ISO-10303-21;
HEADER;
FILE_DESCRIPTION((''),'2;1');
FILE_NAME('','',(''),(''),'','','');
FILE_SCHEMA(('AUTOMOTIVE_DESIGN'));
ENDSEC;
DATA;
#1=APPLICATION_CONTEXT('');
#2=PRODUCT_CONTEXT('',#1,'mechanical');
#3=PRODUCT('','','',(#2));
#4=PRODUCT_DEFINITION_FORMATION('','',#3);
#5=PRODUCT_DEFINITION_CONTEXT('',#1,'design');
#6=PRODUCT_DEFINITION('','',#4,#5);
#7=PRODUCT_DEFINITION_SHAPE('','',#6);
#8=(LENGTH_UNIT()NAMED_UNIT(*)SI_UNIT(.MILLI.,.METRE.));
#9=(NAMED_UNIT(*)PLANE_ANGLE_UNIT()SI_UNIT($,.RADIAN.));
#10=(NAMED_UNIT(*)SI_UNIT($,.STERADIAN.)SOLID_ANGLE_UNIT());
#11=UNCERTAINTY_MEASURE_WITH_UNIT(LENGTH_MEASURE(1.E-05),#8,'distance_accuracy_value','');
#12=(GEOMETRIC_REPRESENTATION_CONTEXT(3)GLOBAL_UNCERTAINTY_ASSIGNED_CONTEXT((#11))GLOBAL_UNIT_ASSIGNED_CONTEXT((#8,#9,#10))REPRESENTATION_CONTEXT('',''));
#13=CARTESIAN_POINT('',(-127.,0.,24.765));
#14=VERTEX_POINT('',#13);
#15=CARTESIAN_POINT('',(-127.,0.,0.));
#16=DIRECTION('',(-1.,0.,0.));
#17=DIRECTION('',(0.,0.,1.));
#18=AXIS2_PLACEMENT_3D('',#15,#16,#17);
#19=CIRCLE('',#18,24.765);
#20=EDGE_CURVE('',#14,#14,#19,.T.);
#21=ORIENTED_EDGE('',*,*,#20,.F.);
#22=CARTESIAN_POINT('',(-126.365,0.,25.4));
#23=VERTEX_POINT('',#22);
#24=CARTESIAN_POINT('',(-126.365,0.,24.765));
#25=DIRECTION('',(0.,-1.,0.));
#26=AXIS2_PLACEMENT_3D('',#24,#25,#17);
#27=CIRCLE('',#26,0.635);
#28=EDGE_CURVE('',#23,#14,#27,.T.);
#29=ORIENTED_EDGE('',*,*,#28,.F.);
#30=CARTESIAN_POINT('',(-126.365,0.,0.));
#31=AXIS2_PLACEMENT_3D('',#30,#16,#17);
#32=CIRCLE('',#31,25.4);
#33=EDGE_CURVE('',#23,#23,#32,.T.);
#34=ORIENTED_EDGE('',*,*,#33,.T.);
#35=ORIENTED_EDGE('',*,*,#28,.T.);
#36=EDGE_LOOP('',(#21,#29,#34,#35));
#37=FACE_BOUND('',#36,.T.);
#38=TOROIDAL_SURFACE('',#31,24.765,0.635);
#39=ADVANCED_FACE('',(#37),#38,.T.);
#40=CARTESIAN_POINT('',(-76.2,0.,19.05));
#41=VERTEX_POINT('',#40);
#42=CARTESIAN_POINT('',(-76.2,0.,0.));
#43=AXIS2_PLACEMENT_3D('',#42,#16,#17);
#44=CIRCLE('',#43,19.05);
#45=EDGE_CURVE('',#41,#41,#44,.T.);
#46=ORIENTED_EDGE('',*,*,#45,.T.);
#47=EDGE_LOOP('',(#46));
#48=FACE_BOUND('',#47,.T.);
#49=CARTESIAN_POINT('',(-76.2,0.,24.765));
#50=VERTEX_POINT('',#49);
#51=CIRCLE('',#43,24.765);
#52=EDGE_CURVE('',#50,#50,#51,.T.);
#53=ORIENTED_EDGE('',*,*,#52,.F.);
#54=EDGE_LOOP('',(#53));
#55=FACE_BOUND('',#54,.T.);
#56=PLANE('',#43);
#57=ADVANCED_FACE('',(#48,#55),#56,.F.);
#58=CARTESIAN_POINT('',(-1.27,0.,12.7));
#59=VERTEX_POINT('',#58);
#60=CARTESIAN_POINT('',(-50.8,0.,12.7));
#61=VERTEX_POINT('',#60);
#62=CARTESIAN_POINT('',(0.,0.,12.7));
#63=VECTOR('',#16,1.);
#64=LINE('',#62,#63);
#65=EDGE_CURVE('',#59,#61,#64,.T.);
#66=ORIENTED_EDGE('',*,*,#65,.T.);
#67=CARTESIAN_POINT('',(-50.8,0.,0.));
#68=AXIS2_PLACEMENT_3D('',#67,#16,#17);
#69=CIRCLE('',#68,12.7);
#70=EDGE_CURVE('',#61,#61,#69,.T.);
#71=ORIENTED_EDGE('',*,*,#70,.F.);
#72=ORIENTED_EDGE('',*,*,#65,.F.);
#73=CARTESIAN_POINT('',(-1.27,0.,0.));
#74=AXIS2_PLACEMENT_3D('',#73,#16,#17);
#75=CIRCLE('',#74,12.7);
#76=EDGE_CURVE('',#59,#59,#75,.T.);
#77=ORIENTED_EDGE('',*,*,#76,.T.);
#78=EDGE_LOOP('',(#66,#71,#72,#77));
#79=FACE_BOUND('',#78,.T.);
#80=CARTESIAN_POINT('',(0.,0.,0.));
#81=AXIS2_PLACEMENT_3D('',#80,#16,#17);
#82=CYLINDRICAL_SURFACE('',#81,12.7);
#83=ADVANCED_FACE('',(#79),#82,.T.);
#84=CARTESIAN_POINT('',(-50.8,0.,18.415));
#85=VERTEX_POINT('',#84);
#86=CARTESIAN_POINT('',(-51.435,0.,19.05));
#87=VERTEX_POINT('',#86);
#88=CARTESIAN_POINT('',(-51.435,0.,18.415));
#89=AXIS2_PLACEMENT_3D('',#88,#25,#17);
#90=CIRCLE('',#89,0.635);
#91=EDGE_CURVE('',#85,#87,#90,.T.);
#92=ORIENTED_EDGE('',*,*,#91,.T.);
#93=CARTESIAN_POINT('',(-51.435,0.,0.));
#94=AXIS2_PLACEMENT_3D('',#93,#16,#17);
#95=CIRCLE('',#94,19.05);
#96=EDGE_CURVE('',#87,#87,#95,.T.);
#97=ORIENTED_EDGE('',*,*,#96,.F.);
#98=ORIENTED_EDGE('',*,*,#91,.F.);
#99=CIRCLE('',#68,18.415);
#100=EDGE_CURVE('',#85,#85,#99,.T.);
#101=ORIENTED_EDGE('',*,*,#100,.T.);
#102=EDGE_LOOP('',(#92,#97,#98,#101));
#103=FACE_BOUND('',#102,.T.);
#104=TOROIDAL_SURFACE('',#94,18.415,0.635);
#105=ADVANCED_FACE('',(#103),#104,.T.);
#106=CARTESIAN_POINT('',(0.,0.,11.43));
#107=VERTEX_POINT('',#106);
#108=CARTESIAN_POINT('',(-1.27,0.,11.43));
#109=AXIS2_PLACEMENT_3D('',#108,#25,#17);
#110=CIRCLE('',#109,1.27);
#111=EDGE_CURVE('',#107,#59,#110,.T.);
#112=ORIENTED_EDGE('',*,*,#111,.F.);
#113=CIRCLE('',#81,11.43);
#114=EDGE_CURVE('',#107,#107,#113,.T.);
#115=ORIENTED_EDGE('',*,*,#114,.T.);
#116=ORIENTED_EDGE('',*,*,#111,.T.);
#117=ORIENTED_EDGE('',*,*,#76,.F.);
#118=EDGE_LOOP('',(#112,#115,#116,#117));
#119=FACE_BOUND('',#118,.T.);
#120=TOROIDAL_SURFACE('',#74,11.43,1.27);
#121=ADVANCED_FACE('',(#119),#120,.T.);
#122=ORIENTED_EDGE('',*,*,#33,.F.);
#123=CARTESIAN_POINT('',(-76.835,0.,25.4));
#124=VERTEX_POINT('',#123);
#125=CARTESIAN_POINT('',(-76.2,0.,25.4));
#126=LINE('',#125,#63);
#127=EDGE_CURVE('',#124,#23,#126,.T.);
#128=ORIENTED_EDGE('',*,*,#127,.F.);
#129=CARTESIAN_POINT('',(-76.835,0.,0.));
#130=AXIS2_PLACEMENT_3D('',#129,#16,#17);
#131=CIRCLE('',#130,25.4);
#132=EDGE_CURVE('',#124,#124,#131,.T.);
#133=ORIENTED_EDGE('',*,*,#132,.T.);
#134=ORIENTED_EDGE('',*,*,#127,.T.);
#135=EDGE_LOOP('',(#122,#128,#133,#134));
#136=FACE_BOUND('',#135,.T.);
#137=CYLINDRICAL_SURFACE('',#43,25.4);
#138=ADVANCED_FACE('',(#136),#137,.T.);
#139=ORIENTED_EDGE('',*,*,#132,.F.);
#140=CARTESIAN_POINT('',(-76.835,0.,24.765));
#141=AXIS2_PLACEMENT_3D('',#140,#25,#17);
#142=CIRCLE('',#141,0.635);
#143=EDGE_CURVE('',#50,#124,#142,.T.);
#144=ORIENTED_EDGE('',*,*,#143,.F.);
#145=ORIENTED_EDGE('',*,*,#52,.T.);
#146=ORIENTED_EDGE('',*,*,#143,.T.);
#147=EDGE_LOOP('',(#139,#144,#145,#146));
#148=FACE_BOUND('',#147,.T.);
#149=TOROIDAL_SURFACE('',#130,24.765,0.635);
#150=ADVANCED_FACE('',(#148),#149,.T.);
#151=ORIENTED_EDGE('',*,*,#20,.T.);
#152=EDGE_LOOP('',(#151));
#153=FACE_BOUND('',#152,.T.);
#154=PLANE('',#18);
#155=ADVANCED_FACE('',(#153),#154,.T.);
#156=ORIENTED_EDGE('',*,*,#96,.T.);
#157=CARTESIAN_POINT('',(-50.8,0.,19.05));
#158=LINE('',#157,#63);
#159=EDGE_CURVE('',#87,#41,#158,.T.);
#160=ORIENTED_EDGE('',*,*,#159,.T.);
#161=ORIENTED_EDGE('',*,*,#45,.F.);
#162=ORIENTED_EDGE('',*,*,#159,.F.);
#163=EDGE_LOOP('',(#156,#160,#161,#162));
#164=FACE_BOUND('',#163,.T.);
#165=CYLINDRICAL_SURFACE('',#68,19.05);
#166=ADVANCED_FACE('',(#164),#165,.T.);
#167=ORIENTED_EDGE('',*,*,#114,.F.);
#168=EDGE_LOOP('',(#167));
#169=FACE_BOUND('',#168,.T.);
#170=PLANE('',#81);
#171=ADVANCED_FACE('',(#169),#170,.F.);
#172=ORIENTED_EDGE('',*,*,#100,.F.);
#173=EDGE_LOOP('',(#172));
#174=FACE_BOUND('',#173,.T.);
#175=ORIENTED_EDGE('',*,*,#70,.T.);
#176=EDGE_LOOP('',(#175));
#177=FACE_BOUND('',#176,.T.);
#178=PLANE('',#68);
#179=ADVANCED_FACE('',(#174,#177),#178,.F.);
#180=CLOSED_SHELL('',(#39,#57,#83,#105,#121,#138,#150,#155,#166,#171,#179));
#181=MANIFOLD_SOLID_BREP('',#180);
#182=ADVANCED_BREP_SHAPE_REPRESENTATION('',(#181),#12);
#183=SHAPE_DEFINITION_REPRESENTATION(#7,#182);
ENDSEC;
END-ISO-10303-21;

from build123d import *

# Parameters (mm, degrees)
F2_R = 1.27
F3_R = 0.635


with BuildPart() as f1:
    # F0 (on Front) → F1 (revolve)
    with BuildSketch(Plane.XZ):
        Polygon((-127, 0), (0, 0), (0, 12.7), (-50.8, 12.7), (-50.8, 19.05), (-76.2, 19.05), (-76.2, 25.4), (-127, 25.4), align=None)
    revolve(axis=Axis((-63.5, 0, 0), (-1, 0, 0)))

    # F2
    f2_edges = [f1.edges().sort_by_distance(p)[0] for p in [
        (0, 0, -12.7),
    ]]
    fillet(f2_edges, radius=F2_R)

    # F3
    f3_edges = [f1.edges().sort_by_distance(p)[0] for p in [
        (-50.8, 0, -19.05),
        (-76.2, 0, -25.4),
        (-127, 0, -25.4),
    ]]
    fillet(f3_edges, radius=F3_R)


solid = f1.part
